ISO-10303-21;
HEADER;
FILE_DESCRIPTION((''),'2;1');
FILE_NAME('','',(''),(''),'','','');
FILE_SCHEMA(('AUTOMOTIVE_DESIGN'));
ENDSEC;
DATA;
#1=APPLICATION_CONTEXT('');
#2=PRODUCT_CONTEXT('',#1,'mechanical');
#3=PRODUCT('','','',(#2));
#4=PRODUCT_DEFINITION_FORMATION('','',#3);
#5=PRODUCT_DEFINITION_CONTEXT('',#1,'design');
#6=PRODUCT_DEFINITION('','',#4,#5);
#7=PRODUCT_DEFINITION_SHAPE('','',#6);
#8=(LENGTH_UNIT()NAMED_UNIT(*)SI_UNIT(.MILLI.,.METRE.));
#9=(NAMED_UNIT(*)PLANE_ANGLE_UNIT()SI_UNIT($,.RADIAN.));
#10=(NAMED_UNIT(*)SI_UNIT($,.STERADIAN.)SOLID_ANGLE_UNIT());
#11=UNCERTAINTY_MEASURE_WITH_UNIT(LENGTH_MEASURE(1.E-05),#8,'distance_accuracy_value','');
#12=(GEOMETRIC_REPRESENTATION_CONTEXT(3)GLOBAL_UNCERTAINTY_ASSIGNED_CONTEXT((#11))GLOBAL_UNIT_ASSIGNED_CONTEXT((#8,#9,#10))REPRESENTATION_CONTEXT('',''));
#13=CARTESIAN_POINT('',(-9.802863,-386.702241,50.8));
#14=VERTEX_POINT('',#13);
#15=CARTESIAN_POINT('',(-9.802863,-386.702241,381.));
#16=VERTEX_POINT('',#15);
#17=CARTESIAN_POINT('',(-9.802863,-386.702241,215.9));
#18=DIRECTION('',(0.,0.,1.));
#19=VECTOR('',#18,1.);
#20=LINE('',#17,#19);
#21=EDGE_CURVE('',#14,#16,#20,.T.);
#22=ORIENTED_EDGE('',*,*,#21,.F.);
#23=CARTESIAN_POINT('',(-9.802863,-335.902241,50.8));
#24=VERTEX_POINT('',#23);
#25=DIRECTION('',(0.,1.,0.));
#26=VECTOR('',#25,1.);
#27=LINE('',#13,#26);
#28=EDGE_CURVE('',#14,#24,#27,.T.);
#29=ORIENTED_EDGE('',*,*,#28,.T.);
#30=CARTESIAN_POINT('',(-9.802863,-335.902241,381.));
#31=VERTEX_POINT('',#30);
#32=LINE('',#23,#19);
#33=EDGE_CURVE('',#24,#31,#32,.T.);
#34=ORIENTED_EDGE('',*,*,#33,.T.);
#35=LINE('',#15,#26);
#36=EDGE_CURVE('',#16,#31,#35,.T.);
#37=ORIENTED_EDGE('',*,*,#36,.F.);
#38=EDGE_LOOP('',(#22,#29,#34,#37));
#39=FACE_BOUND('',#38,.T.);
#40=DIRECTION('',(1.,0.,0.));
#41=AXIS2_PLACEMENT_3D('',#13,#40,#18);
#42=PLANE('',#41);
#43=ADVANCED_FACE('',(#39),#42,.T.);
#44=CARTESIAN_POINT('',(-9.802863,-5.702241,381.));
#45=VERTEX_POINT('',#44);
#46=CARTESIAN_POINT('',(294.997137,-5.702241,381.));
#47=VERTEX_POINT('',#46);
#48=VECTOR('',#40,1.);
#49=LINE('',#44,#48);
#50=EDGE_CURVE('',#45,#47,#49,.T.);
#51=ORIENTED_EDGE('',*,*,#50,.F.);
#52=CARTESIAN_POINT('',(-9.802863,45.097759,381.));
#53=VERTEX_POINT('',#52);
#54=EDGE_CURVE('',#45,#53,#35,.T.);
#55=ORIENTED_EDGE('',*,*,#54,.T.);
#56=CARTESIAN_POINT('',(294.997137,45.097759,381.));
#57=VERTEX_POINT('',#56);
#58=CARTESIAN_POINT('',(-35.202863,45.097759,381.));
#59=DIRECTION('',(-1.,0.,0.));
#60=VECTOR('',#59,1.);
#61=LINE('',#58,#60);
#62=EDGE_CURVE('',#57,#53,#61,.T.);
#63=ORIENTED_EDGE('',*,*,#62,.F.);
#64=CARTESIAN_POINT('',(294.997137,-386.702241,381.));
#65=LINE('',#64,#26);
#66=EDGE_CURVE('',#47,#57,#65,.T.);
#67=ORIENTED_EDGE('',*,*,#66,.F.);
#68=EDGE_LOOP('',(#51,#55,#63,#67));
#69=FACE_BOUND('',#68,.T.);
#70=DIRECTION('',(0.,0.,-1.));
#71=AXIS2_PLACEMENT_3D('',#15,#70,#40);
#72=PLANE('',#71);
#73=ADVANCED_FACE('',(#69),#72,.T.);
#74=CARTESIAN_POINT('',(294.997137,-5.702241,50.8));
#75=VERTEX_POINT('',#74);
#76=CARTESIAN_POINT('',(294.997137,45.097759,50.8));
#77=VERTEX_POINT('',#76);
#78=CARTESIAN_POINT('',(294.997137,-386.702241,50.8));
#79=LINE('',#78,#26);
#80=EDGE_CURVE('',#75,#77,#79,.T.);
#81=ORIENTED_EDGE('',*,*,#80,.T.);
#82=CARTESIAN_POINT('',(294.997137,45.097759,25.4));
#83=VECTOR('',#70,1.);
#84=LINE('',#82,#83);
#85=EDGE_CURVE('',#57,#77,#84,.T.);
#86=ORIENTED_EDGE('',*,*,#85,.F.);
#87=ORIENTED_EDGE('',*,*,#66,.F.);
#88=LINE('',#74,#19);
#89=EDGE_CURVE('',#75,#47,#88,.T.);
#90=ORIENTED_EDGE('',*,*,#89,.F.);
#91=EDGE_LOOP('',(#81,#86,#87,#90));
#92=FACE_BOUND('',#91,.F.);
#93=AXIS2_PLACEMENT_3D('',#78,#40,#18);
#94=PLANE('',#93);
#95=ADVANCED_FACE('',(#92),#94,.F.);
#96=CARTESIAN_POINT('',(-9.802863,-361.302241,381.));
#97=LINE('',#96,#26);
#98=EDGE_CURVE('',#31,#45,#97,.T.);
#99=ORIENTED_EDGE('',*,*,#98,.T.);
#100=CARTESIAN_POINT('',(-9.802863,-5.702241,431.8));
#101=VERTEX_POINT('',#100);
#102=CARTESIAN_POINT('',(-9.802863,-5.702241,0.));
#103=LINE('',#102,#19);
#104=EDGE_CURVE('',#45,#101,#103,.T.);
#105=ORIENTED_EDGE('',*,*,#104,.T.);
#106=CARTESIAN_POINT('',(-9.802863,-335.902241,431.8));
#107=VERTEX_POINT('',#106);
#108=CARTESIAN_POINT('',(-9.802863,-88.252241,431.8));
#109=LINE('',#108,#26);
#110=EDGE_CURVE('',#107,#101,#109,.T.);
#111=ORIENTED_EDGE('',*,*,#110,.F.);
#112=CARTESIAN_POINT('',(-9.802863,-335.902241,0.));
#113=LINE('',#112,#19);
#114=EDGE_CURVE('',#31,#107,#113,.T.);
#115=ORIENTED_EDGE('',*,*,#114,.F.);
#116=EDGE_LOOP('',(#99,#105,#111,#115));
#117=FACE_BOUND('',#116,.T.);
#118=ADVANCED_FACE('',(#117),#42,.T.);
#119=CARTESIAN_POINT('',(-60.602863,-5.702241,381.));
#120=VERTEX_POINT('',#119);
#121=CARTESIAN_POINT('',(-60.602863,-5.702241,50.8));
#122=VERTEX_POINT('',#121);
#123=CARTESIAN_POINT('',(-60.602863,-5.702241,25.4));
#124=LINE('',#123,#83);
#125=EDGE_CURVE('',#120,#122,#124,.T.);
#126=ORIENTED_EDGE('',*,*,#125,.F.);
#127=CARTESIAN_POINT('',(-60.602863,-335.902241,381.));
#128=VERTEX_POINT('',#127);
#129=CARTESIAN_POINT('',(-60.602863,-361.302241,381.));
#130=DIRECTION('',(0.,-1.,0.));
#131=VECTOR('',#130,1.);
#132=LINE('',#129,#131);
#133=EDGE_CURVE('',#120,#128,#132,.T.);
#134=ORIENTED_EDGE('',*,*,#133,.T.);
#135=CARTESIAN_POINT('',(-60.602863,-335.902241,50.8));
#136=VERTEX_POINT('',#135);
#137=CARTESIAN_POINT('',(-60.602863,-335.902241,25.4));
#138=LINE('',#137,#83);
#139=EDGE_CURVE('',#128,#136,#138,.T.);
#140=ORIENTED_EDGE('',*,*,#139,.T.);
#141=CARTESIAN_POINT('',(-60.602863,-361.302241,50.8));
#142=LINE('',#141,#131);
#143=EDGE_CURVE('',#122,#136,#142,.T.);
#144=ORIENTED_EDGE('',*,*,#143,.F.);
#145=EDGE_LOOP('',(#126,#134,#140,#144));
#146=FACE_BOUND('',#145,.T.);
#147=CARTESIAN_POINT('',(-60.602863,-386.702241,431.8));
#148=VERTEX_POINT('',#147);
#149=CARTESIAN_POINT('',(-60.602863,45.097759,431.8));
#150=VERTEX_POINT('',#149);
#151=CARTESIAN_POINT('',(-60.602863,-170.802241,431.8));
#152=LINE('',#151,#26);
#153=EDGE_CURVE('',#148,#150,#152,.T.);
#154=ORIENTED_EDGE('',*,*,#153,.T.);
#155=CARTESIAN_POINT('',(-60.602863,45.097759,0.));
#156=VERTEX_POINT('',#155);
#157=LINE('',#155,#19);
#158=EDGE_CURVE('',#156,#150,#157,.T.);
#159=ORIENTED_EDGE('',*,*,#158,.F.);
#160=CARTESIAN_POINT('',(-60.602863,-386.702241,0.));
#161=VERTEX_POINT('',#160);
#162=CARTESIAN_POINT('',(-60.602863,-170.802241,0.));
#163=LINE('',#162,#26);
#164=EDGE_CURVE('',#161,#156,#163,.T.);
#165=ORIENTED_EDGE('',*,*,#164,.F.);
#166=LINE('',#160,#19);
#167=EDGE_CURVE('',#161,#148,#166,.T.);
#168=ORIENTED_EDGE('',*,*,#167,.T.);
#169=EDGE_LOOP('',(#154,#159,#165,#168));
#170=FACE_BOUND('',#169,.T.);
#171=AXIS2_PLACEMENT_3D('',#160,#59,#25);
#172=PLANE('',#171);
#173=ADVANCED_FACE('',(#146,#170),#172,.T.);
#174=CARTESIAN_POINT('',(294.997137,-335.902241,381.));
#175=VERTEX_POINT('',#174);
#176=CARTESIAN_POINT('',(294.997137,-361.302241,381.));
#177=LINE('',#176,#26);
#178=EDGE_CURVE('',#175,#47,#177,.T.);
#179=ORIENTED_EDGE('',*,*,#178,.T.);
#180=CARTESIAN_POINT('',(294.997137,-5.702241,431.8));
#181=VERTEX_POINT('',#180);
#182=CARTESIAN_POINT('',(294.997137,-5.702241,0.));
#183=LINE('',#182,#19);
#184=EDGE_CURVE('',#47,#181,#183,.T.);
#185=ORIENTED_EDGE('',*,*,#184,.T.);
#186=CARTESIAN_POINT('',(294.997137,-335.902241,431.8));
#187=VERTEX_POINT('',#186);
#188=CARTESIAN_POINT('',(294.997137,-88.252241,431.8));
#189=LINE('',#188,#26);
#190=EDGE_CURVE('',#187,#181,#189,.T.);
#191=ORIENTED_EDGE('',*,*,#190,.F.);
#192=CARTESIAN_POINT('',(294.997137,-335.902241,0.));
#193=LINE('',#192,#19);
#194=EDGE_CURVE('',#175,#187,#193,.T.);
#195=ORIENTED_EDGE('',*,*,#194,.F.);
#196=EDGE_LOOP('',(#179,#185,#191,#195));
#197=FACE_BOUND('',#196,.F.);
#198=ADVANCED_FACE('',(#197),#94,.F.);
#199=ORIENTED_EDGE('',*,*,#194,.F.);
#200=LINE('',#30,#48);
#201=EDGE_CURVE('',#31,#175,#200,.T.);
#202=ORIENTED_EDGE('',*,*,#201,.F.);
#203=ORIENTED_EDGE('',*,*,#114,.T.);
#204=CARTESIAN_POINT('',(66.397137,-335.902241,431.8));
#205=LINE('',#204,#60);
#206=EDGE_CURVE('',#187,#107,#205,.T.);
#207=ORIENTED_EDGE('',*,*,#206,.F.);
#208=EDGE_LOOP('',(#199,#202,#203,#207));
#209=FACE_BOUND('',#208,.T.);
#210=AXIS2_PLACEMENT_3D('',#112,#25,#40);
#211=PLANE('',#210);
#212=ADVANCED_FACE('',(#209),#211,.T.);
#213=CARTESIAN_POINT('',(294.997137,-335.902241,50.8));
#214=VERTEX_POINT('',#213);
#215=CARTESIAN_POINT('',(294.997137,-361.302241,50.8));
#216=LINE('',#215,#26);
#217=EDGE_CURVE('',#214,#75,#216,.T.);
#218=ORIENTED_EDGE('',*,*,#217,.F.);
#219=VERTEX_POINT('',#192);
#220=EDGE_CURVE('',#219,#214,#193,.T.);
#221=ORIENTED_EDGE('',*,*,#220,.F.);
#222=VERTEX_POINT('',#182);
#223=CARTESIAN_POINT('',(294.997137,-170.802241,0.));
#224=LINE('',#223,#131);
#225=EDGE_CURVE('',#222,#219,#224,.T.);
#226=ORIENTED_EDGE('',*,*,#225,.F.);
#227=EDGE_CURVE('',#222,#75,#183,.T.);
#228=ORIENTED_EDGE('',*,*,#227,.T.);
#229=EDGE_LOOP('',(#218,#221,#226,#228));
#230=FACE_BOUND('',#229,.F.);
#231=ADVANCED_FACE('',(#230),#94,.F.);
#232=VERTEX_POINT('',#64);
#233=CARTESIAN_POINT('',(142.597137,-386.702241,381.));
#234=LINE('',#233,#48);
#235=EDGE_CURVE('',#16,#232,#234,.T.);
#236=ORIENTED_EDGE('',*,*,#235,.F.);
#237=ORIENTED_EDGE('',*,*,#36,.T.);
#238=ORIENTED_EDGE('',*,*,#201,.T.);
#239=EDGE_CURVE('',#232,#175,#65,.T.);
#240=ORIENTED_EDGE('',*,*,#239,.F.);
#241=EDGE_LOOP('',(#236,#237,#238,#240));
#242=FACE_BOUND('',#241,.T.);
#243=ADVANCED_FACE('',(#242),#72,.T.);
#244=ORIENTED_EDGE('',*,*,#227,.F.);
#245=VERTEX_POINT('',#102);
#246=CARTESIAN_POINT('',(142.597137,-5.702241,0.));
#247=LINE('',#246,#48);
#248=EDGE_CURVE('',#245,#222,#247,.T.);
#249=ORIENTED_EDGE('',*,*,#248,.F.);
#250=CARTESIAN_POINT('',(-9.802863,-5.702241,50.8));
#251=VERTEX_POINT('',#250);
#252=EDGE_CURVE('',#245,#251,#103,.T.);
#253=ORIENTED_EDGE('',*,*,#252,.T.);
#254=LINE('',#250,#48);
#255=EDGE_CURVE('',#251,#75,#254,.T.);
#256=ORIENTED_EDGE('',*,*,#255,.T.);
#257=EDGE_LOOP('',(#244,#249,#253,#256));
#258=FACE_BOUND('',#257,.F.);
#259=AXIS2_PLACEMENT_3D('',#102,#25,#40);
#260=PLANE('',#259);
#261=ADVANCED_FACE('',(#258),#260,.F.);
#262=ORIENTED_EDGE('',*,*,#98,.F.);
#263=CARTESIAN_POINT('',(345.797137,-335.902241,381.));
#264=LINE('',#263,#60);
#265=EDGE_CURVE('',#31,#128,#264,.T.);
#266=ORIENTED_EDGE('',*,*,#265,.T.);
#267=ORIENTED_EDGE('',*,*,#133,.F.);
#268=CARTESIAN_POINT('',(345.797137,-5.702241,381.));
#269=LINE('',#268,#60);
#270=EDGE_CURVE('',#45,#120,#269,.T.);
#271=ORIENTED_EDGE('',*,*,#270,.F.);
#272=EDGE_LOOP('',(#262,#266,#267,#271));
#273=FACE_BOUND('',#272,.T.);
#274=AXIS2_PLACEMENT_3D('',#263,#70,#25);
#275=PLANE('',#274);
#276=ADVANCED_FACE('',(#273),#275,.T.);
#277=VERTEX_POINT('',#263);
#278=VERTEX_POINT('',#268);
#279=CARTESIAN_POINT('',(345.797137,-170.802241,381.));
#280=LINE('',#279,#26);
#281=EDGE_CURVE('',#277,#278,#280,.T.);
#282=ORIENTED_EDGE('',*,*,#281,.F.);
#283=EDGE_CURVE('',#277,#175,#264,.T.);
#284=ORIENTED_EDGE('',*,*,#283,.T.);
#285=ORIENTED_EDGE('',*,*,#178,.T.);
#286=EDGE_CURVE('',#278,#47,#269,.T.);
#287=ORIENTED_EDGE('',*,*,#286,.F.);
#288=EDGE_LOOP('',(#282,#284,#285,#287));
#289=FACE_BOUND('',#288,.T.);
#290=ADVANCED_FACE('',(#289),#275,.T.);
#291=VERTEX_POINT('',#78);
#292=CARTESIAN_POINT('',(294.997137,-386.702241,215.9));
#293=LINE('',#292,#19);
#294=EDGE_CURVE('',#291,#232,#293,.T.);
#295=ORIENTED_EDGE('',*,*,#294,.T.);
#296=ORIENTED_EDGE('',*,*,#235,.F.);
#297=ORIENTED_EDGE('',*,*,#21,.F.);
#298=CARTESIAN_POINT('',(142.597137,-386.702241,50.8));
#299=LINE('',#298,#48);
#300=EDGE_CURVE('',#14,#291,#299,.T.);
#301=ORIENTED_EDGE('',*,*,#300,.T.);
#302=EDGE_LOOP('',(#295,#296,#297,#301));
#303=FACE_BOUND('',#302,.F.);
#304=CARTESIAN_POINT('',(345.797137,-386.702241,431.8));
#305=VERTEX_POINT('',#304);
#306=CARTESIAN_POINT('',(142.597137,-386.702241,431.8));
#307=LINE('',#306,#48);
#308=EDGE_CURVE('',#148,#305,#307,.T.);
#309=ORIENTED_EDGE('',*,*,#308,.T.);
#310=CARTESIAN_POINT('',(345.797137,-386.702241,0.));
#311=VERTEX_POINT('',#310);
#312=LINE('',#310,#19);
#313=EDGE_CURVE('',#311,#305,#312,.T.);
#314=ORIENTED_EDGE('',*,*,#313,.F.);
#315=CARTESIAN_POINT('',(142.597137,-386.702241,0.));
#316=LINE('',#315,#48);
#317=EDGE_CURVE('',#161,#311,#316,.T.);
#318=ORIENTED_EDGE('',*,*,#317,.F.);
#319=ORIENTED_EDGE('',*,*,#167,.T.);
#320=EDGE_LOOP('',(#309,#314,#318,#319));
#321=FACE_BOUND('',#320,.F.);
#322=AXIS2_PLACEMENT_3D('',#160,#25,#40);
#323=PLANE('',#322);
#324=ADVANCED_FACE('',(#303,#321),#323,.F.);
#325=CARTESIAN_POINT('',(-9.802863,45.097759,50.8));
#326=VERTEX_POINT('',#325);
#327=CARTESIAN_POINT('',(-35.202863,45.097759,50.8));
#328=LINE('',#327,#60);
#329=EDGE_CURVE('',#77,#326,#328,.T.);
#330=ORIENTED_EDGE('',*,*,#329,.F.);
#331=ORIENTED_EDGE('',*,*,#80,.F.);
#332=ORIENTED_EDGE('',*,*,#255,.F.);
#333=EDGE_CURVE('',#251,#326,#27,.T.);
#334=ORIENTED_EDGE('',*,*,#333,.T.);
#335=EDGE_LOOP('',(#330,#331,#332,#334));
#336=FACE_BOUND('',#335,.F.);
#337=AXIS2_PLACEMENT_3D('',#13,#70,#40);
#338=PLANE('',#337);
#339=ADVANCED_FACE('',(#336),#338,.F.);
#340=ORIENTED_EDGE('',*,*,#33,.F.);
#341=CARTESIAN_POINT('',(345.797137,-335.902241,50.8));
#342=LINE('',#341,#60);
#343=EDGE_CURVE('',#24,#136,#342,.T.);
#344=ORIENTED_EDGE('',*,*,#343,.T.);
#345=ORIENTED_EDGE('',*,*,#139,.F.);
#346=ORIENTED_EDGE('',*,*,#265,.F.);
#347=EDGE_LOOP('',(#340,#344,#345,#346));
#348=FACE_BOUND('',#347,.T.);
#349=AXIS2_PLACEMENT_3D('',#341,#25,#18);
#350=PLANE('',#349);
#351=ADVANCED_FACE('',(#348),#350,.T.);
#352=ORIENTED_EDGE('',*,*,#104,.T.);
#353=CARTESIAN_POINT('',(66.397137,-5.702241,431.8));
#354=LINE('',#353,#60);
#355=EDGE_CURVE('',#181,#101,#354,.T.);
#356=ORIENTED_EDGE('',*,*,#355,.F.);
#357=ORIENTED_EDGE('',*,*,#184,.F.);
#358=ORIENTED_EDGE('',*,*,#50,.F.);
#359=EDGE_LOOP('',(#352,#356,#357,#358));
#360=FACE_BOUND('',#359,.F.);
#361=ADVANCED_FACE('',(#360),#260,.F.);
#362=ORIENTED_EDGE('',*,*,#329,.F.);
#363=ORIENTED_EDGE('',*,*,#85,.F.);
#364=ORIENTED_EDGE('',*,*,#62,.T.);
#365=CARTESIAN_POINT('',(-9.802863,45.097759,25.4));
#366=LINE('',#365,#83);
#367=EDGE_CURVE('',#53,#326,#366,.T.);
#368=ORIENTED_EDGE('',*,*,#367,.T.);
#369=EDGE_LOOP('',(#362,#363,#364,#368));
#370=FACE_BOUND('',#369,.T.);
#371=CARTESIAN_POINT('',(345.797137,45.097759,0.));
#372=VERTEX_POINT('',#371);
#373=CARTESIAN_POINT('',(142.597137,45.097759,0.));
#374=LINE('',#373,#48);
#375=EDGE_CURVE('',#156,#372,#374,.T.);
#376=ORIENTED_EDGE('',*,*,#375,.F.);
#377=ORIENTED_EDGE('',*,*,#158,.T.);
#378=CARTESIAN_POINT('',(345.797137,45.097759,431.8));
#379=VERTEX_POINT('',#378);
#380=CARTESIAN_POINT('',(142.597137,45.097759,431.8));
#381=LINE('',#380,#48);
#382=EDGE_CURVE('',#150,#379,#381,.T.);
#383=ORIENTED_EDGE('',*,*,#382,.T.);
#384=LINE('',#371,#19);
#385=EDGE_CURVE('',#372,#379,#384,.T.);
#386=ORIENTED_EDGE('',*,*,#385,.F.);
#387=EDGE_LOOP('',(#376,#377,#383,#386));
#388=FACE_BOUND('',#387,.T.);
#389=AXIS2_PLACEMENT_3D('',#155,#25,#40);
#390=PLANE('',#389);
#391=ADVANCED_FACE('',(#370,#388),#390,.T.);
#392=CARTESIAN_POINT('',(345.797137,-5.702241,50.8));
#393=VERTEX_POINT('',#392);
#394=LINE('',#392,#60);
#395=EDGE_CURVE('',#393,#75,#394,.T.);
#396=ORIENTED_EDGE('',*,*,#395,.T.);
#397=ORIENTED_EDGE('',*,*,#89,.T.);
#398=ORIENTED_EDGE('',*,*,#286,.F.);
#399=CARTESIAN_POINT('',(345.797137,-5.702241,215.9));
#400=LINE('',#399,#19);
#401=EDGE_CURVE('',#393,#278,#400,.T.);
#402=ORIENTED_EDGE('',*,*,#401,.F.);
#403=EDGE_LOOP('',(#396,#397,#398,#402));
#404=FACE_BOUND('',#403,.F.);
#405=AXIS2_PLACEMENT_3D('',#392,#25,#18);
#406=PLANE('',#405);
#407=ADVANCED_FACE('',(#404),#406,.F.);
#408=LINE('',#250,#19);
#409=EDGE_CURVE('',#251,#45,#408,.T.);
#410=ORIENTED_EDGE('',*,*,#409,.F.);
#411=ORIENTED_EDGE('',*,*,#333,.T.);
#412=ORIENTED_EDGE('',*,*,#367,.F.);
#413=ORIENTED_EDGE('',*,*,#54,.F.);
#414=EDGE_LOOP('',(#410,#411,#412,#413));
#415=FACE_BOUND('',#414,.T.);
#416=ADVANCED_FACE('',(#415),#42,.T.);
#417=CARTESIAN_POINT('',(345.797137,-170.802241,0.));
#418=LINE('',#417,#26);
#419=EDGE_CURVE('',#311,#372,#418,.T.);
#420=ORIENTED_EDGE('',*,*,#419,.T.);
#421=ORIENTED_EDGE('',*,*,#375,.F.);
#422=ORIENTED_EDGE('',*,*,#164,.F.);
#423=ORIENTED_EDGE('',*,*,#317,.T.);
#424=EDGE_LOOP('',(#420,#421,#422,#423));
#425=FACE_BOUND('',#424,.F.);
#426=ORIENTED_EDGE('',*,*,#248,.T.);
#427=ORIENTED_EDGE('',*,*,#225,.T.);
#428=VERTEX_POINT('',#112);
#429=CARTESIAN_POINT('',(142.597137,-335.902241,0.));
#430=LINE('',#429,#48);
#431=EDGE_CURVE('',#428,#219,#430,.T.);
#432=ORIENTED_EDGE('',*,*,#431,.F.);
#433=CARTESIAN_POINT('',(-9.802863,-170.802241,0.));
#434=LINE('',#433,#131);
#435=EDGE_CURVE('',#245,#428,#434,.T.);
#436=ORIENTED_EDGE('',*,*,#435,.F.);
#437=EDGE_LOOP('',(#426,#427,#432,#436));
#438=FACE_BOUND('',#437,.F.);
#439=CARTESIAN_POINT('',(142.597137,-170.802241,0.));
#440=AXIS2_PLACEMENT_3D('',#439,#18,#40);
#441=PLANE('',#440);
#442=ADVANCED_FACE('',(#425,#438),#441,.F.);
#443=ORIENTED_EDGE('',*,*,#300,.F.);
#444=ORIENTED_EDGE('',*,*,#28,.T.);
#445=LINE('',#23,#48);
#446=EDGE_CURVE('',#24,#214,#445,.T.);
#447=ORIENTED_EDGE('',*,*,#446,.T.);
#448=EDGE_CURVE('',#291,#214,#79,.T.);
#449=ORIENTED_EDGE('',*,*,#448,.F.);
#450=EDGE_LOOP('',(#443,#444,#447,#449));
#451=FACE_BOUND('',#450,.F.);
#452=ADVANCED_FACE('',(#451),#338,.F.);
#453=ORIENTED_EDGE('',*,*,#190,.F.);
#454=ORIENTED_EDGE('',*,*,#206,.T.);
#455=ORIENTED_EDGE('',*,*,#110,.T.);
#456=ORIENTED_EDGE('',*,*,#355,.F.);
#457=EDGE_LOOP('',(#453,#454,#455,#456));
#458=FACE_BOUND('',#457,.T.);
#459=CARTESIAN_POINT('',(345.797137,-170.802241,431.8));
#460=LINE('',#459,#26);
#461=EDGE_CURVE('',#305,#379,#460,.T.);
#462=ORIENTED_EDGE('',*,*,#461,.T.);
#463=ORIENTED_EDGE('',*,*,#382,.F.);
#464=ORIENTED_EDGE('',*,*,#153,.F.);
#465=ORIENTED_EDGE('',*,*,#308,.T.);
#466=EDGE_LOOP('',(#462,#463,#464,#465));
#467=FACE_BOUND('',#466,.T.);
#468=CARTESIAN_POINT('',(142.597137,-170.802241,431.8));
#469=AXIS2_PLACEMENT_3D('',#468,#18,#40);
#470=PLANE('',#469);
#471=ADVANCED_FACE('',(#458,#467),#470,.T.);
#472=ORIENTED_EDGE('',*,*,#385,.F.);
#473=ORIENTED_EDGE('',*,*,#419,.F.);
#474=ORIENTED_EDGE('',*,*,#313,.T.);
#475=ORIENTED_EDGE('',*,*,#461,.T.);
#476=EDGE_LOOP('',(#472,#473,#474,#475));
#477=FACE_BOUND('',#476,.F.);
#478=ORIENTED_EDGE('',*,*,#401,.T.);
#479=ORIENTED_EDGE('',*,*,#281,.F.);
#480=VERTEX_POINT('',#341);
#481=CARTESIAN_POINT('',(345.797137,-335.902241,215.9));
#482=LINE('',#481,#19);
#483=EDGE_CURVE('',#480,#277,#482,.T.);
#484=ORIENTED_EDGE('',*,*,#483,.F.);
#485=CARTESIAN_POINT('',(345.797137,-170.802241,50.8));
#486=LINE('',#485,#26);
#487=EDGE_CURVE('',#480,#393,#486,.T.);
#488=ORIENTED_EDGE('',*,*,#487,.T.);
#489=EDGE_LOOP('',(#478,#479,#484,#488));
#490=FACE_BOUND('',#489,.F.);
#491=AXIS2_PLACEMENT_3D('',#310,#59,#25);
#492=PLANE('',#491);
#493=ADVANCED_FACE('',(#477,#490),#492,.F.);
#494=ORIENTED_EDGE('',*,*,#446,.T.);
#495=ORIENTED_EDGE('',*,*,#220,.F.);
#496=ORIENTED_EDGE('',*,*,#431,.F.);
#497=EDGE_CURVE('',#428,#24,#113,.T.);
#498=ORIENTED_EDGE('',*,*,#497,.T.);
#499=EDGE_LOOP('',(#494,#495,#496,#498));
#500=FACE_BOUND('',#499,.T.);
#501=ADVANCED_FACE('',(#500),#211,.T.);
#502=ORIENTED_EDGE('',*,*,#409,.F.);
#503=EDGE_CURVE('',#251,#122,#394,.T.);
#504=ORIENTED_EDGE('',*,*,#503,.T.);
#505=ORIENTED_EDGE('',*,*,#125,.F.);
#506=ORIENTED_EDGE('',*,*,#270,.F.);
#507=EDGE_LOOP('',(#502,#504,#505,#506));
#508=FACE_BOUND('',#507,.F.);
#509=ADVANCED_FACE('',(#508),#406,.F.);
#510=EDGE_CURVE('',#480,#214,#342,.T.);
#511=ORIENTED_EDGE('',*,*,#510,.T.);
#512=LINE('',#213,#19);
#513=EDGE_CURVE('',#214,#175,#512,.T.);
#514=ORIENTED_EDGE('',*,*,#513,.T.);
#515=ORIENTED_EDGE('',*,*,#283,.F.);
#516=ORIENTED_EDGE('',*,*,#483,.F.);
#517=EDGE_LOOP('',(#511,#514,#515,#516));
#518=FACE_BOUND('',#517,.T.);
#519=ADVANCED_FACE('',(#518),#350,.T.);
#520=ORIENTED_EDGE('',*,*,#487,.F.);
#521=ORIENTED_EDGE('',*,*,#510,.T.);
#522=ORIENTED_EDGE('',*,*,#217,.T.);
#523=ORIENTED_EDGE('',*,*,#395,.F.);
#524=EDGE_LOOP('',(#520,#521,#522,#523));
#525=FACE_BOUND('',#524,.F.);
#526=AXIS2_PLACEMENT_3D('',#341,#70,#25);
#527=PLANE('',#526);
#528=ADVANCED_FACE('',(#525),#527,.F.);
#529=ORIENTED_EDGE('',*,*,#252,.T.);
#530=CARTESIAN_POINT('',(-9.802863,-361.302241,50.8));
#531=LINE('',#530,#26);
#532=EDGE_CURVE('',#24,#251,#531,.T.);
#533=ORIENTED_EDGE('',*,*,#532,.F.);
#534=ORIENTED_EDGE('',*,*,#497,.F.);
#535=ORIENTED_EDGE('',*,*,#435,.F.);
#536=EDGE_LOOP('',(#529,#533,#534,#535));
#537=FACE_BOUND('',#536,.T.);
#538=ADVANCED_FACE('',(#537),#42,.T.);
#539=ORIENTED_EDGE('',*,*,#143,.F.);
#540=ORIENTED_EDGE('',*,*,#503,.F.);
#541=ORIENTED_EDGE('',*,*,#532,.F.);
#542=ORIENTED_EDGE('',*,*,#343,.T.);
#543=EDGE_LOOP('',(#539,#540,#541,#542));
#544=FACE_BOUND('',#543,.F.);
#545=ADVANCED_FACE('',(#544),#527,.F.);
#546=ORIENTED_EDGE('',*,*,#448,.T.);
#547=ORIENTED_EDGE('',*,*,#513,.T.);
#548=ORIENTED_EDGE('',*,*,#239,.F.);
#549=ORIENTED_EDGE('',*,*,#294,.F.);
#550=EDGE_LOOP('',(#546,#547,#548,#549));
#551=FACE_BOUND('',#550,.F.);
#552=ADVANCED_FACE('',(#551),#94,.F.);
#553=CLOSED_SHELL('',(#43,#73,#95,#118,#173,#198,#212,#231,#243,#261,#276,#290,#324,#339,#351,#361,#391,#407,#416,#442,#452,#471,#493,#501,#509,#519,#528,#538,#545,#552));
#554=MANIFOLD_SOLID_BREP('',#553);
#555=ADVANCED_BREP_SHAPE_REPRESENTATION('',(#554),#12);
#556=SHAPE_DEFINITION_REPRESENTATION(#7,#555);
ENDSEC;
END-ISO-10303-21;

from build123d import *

# Parameters (mm, degrees)
F0_W     = 406.4
F0_H     = 431.8
F1_DEPTH = 431.8
F2_W     = 304.8
F2_H     = 330.2
F3_DEPTH = 1270
F4_W     = 304.8
F4_H     = 330.2
F5_DEPTH = 754.38
F6_W     = 330.2
F6_H     = 330.2
F7_DEPTH = 1270


with BuildPart() as f1:
    # F0 (on Top) → F1 (new body)
    with BuildSketch(Plane.XY):
        with Locations((142.597137, -170.802241)):
            Rectangle(F0_W, F0_H)
    extrude(amount=F1_DEPTH)

    # F2 (on face) → F3 (cut)
    with BuildSketch(Plane.XZ.offset(386.702241)):
        with Locations((142.597137, 215.9)):
            Rectangle(F2_W, F2_H)
    extrude(amount=-F3_DEPTH, mode=Mode.SUBTRACT)

    # F4 (on face) → F5 (cut)
    with BuildSketch(Plane(origin=(0, 0, 0), x_dir=(1, 0, 0), z_dir=(0, 0, -1))):
        with Locations((142.597137, 170.802241)):
            Rectangle(F4_W, F4_H)
    extrude(amount=-F5_DEPTH, mode=Mode.SUBTRACT)

    # F6 (on face) → F7 (cut)
    with BuildSketch(Plane.YZ.offset(345.797137)):
        with Locations((-170.802241, 215.9)):
            Rectangle(F6_W, F6_H)
    extrude(amount=-F7_DEPTH, mode=Mode.SUBTRACT)


solid = f1.part
